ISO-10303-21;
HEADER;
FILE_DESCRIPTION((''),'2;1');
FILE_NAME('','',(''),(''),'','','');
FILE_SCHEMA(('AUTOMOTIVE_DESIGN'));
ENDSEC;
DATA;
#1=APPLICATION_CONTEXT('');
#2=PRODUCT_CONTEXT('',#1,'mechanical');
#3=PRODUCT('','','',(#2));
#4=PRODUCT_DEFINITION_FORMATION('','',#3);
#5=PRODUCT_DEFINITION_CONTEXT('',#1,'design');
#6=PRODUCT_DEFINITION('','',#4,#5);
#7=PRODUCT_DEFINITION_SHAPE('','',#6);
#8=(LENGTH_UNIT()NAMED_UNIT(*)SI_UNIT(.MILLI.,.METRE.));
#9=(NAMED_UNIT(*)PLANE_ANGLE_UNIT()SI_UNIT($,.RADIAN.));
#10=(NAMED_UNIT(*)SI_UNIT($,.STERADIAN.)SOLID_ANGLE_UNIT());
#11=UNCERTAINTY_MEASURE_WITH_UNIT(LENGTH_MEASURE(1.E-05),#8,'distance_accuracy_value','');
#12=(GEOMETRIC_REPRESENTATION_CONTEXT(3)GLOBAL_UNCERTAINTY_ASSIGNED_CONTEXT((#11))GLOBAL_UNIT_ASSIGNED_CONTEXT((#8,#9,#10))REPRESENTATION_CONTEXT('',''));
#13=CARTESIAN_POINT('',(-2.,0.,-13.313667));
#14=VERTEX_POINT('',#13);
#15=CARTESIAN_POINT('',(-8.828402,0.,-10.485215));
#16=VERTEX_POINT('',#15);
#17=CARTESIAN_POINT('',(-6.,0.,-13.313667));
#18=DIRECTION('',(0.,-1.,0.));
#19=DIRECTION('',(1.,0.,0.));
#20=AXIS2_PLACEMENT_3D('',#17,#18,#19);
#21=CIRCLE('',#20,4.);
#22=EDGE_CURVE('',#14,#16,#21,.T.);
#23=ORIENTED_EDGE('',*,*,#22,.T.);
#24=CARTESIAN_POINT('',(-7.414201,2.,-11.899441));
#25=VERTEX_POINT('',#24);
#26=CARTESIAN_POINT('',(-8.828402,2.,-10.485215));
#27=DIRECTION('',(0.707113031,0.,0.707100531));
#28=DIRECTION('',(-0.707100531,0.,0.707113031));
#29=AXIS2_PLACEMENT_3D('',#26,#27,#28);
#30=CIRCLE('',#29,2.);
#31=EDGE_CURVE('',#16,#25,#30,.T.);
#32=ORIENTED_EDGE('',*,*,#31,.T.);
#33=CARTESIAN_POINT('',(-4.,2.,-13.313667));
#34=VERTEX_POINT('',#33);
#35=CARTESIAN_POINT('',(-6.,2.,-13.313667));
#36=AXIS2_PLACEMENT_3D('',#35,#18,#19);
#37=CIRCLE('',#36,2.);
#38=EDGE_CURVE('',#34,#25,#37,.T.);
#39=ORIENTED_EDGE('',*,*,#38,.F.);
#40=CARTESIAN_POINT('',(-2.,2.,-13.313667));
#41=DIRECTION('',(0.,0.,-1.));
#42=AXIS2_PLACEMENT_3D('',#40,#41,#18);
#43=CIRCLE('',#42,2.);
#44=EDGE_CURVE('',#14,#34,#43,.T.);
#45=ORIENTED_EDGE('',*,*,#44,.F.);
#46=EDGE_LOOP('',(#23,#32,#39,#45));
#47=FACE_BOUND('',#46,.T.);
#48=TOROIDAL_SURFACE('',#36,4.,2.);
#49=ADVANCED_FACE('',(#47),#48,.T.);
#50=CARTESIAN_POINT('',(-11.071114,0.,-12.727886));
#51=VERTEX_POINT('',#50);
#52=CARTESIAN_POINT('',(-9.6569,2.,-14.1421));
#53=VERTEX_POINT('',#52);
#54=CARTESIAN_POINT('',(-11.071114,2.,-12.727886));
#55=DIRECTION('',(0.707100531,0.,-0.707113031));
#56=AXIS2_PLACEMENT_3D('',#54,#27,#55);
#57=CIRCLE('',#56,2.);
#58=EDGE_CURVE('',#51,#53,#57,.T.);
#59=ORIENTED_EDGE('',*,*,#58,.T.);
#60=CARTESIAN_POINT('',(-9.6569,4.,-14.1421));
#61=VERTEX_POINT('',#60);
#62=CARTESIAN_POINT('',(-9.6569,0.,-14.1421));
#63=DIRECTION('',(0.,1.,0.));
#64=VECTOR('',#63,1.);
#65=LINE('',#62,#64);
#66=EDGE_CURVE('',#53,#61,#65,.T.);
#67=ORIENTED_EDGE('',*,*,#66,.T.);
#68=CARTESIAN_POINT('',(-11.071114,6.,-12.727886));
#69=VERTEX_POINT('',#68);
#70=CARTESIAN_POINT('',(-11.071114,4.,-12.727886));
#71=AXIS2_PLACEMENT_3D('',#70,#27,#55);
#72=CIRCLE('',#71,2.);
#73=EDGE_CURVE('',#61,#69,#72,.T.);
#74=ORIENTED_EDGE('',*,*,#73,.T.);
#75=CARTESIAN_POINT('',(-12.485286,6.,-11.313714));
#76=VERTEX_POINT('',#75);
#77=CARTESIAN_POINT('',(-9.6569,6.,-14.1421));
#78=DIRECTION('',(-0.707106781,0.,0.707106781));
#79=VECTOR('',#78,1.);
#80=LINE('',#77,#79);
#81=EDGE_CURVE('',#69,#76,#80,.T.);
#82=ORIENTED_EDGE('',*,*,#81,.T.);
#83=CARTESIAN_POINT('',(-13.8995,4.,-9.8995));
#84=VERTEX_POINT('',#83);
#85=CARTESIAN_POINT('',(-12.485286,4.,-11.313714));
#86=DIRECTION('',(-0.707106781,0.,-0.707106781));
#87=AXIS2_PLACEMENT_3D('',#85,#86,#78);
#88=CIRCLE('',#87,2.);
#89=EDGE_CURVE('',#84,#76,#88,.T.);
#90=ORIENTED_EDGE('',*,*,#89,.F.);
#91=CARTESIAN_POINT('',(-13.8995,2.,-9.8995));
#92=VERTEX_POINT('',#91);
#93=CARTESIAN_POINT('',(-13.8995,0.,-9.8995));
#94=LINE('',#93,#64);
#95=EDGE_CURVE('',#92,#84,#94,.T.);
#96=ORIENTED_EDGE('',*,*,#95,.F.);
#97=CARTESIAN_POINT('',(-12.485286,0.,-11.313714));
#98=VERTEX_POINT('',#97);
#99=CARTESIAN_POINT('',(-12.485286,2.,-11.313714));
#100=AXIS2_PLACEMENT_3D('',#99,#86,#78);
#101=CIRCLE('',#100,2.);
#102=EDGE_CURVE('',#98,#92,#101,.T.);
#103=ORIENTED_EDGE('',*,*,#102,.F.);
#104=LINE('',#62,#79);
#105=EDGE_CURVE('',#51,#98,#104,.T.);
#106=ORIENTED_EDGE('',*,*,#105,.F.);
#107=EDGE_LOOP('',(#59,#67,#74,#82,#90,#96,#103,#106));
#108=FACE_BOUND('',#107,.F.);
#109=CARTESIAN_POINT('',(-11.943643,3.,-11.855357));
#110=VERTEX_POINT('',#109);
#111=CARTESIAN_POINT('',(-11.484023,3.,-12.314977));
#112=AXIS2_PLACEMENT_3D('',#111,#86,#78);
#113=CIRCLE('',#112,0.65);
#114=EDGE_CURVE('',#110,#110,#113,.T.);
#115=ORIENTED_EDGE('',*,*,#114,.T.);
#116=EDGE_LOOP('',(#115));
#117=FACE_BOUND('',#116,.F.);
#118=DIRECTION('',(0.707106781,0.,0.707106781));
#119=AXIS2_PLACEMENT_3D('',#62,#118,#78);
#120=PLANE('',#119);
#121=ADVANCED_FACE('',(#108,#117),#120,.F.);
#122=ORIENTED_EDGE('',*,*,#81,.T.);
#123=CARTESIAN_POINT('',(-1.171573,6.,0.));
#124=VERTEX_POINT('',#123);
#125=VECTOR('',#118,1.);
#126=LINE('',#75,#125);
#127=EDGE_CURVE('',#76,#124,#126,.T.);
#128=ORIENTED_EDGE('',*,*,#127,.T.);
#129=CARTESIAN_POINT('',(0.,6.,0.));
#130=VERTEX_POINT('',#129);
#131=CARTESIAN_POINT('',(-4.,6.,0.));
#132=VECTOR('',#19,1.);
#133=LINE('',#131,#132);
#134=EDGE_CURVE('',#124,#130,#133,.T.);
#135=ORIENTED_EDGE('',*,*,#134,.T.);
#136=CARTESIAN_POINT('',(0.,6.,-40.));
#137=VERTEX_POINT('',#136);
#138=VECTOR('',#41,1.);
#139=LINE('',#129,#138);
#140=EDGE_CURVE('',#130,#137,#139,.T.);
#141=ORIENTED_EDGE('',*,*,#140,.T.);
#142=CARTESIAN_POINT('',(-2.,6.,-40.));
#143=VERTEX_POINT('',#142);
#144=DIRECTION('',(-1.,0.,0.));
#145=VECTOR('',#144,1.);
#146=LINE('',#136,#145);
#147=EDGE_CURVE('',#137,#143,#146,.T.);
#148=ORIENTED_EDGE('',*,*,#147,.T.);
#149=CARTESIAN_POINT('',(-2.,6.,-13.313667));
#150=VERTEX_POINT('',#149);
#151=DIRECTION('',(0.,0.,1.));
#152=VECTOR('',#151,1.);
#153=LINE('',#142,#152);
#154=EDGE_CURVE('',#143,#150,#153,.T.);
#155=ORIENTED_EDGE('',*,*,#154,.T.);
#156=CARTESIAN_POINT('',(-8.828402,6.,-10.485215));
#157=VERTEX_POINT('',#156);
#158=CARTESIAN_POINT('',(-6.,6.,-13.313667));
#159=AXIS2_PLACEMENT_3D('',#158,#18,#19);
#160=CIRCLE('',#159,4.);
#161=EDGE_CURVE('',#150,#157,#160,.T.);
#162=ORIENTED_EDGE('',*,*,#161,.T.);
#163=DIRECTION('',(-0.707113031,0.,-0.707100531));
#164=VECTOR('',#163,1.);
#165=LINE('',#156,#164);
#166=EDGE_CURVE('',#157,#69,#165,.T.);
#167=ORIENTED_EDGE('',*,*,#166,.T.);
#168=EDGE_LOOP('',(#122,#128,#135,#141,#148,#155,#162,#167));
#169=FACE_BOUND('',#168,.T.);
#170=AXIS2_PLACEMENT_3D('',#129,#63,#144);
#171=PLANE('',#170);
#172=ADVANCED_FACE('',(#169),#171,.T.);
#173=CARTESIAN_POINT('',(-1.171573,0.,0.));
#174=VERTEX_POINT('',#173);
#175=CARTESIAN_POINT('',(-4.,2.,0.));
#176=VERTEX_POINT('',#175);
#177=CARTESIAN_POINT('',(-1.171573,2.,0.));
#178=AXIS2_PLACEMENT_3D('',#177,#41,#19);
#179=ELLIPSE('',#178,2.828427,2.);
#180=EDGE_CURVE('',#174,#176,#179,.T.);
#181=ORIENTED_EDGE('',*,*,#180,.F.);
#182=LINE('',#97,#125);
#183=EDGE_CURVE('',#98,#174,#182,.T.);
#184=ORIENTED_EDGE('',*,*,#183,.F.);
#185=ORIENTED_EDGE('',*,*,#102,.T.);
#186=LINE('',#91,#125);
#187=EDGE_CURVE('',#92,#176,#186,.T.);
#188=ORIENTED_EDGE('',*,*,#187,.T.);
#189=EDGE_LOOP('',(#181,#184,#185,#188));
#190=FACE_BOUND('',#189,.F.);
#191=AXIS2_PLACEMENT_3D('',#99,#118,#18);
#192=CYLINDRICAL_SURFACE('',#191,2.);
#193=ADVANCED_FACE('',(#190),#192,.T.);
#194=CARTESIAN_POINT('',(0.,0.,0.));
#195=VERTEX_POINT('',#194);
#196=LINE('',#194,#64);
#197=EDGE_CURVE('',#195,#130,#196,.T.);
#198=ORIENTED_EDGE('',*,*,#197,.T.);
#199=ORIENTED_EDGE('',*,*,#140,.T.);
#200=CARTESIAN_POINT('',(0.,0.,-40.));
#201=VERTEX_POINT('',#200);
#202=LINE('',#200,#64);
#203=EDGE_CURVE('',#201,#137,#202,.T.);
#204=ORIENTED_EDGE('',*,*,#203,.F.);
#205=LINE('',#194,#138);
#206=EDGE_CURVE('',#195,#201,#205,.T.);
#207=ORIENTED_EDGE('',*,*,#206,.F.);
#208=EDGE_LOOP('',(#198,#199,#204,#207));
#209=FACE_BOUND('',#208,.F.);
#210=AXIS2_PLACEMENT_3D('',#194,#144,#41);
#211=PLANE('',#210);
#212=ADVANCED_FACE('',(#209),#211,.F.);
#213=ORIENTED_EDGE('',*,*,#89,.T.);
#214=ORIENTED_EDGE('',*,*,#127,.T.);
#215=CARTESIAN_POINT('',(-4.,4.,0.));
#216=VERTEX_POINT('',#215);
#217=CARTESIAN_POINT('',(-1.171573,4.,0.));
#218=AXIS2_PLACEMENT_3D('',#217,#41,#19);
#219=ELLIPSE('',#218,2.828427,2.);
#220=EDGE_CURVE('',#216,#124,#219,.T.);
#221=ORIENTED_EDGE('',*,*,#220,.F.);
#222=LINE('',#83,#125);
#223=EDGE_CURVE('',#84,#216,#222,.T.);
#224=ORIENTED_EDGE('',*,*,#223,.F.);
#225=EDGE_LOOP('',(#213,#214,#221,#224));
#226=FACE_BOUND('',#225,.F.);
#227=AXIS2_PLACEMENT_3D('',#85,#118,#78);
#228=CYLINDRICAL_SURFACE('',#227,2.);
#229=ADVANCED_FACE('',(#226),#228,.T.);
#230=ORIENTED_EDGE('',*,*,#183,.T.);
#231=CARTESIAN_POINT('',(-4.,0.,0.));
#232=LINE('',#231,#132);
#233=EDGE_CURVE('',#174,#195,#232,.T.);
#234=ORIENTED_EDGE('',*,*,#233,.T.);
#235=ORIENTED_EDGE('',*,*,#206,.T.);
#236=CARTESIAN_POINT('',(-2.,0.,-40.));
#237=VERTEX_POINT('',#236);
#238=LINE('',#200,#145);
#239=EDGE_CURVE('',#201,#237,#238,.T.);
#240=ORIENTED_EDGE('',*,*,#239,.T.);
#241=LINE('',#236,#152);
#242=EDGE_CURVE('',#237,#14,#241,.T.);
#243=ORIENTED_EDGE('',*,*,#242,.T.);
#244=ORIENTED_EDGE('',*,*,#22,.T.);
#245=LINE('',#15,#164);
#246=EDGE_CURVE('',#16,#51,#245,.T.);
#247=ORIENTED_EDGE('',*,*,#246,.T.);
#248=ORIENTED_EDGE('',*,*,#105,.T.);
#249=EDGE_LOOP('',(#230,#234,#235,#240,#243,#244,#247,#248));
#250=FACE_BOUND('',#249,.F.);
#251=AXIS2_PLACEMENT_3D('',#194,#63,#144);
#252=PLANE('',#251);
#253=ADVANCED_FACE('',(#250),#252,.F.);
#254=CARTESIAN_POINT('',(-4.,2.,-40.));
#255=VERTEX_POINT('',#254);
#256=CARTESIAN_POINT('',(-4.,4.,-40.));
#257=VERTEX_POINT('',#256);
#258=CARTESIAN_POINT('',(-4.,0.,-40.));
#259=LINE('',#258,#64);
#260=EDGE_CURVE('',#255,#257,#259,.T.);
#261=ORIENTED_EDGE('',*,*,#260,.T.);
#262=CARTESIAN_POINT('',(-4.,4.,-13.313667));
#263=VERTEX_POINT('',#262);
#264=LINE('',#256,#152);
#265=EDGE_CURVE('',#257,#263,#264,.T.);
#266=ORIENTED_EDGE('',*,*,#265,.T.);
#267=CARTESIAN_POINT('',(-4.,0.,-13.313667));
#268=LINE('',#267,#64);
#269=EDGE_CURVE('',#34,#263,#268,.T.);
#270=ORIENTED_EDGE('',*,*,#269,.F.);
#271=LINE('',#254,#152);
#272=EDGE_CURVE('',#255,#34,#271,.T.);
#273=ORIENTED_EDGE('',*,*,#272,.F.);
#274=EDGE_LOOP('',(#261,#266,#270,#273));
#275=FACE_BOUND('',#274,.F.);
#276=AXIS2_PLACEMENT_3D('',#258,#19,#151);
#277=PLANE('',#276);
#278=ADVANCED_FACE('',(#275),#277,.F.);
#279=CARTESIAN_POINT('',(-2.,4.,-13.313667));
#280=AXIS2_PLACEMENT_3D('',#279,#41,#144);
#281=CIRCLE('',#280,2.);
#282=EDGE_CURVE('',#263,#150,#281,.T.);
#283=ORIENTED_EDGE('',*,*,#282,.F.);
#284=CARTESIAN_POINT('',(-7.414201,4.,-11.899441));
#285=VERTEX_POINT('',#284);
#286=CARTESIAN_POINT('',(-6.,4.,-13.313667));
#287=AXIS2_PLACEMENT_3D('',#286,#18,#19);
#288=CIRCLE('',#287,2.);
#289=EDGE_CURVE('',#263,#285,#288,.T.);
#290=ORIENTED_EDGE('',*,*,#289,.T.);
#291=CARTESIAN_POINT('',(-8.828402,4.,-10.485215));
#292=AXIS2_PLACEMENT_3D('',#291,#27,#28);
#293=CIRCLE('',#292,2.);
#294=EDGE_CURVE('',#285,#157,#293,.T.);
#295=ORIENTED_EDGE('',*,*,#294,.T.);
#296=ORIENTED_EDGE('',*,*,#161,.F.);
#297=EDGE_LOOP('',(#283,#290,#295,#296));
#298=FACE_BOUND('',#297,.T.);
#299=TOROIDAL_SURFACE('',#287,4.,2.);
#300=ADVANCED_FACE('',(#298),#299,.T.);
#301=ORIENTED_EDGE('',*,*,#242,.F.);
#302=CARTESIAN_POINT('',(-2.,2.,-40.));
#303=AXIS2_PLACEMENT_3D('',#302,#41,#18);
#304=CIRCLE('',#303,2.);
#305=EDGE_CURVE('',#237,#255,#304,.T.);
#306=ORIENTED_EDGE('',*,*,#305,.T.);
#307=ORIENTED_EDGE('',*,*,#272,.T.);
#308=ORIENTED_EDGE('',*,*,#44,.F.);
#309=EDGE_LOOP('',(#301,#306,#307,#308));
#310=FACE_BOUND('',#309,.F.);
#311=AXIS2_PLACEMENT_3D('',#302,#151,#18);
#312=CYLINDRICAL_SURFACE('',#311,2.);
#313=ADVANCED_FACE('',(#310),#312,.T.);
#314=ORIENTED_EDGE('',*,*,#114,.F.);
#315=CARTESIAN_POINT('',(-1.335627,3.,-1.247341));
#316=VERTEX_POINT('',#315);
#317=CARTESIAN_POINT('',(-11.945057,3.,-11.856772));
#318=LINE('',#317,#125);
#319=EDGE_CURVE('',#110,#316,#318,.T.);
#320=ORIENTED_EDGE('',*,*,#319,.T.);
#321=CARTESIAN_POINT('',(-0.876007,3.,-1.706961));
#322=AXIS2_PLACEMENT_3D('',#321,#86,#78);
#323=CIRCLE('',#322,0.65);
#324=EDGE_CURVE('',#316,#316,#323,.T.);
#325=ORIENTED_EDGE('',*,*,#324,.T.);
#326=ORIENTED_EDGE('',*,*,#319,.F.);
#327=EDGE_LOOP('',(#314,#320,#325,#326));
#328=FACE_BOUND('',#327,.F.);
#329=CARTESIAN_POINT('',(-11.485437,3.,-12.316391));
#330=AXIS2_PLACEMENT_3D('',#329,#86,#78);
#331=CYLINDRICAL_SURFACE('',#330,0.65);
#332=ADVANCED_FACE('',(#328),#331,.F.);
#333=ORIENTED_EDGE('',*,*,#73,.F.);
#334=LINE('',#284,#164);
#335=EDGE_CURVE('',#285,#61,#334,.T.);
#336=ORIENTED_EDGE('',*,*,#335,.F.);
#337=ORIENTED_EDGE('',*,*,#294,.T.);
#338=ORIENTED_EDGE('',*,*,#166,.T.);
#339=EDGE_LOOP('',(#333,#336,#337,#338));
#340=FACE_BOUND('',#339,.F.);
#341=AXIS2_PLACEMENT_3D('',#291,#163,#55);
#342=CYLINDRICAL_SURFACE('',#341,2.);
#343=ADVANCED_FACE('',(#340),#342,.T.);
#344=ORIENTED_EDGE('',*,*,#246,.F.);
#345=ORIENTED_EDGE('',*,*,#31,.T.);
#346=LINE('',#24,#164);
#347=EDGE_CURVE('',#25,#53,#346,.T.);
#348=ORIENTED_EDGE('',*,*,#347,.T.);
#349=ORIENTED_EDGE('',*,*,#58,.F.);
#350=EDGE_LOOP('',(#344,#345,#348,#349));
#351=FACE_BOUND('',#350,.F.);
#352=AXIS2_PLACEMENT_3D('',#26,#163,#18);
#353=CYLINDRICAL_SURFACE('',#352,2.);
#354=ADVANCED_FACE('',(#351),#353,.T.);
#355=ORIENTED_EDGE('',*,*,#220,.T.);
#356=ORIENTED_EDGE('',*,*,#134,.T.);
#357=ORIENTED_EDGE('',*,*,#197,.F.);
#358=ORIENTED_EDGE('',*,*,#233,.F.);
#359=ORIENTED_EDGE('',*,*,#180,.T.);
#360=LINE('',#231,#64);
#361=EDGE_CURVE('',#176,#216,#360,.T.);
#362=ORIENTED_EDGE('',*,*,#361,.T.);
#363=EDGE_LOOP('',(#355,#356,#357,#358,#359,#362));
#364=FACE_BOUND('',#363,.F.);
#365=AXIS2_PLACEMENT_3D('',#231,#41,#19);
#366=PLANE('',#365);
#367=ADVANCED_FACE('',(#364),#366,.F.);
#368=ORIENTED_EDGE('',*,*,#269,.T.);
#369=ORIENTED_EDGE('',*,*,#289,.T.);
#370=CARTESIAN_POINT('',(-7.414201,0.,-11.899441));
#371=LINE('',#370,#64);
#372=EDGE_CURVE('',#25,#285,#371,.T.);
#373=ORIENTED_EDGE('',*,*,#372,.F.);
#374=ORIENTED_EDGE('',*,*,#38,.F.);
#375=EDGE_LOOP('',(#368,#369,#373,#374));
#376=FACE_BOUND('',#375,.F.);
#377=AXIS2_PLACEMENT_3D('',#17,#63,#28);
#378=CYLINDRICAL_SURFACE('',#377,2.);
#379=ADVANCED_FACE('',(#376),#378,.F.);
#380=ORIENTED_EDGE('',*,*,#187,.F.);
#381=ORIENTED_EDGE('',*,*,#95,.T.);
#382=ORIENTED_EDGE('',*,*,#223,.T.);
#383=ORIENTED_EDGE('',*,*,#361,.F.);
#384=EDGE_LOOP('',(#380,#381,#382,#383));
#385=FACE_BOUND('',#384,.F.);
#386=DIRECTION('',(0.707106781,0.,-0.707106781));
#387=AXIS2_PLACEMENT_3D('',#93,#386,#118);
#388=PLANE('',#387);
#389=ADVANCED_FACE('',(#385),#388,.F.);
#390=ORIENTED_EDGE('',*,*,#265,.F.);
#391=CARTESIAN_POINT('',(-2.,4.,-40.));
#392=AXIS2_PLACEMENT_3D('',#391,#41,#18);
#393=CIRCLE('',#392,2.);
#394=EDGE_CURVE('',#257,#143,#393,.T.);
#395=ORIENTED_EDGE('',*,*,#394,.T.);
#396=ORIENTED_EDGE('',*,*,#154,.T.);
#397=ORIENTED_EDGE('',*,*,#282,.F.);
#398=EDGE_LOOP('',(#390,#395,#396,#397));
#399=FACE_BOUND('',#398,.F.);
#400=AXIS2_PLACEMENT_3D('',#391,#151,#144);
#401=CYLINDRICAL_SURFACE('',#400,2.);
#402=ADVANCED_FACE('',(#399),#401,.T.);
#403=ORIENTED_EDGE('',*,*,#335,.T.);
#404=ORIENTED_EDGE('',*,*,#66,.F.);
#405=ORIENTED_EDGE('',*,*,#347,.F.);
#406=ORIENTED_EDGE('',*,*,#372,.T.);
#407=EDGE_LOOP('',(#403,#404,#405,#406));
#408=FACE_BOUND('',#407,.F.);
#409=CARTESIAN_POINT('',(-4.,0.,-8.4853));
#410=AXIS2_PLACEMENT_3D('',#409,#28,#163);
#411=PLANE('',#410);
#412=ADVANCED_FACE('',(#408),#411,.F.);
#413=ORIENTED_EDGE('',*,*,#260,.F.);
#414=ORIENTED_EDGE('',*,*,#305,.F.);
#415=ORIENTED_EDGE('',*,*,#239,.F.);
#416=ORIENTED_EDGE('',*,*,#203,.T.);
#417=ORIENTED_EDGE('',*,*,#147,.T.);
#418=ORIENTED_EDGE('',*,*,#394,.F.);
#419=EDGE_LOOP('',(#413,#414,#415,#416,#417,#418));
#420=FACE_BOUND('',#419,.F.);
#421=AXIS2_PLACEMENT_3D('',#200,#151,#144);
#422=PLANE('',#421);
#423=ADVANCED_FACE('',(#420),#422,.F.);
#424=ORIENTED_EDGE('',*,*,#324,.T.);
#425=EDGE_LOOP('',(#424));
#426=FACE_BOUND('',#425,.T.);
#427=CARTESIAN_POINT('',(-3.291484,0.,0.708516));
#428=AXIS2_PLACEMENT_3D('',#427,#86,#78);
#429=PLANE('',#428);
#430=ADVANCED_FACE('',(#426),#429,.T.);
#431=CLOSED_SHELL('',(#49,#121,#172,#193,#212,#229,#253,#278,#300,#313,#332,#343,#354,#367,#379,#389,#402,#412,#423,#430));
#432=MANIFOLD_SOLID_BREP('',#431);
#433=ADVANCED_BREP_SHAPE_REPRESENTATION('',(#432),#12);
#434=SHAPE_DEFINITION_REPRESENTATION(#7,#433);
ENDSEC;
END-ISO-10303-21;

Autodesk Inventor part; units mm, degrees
ref_plane "YZ Plane" through (0, 0, 0) normal (1, 0, 0) x (0, 1, 0)
ref_plane "XZ Plane" through (0, 0, 0) normal (0, 1, 0) x (-1, 0, 0)
ref_plane "XY Plane" through (0, 0, 0) normal (0, 0, 1) x (1, 0, 0)
sketch "Sketch1" plane through (0, 0, 0) normal (0, 1, 0) x (-1, 0, 0)
  line L0 (0, 0) -> (0, -40)
  line L1 (0, -40) -> (4, -40)
  line L2 (4, -40) -> (4, -8.4853)
  line L3 (4, -8.4853) -> (9.6569, -14.1421)
  line L4 (9.6569, -14.1421) -> (13.8995, -9.8995)
  line L5 (13.8995, -9.8995) -> (4, 0)
  line L6 (4, 0) -> (0, 0)
  dimension "d0" = 45
  dimension "d1" = 4
  dimension "d2" = 40
  dimension "d12" = 6
  dimension "d13" = 8
  dimension "d14" = 4
extrude "Extrusion1" add sketch "Sketch1" along normal blind 6
sketch "Sketch2" plane through (-13.8995, 0, -9.8995) normal (-0.7071, 0, -0.7071) x (-0.7071, 0, 0.7071)
  line L0 (-2.8284, 0) -> (-2.8284, 6) projected
  line L1 (-6, 0) -> (0, 0) projected
  line L2 (0, 0) -> (0, 6) projected
  line L3 (-6, 6) -> (0, 6) projected
  line L4 (-6, 0) -> (-6, 6) projected
  circle A0 centre (-3.416, 3) radius 0.65
  dimension "d5" = 1.3
  dimension "d6" = 3
extrude "Extrusion2" cut sketch "Sketch2" against normal blind 15 contours A0 L0 | L0 A0
fillet "Fillet1" radius 2 1 edges at (-4, 3, -8.4853)
fillet "Fillet2" radius 2 6 edges at (-8.5355, 6, -13.0208) (-4, 6, -26.6569) (-8.5355, 0, -13.0208) (-4, 0, -26.6569) (-8.9497, 6, -4.9497) (-8.9497, 0, -4.9497)
properties part number "AntennaAdapter" material "ABS Plastic"
